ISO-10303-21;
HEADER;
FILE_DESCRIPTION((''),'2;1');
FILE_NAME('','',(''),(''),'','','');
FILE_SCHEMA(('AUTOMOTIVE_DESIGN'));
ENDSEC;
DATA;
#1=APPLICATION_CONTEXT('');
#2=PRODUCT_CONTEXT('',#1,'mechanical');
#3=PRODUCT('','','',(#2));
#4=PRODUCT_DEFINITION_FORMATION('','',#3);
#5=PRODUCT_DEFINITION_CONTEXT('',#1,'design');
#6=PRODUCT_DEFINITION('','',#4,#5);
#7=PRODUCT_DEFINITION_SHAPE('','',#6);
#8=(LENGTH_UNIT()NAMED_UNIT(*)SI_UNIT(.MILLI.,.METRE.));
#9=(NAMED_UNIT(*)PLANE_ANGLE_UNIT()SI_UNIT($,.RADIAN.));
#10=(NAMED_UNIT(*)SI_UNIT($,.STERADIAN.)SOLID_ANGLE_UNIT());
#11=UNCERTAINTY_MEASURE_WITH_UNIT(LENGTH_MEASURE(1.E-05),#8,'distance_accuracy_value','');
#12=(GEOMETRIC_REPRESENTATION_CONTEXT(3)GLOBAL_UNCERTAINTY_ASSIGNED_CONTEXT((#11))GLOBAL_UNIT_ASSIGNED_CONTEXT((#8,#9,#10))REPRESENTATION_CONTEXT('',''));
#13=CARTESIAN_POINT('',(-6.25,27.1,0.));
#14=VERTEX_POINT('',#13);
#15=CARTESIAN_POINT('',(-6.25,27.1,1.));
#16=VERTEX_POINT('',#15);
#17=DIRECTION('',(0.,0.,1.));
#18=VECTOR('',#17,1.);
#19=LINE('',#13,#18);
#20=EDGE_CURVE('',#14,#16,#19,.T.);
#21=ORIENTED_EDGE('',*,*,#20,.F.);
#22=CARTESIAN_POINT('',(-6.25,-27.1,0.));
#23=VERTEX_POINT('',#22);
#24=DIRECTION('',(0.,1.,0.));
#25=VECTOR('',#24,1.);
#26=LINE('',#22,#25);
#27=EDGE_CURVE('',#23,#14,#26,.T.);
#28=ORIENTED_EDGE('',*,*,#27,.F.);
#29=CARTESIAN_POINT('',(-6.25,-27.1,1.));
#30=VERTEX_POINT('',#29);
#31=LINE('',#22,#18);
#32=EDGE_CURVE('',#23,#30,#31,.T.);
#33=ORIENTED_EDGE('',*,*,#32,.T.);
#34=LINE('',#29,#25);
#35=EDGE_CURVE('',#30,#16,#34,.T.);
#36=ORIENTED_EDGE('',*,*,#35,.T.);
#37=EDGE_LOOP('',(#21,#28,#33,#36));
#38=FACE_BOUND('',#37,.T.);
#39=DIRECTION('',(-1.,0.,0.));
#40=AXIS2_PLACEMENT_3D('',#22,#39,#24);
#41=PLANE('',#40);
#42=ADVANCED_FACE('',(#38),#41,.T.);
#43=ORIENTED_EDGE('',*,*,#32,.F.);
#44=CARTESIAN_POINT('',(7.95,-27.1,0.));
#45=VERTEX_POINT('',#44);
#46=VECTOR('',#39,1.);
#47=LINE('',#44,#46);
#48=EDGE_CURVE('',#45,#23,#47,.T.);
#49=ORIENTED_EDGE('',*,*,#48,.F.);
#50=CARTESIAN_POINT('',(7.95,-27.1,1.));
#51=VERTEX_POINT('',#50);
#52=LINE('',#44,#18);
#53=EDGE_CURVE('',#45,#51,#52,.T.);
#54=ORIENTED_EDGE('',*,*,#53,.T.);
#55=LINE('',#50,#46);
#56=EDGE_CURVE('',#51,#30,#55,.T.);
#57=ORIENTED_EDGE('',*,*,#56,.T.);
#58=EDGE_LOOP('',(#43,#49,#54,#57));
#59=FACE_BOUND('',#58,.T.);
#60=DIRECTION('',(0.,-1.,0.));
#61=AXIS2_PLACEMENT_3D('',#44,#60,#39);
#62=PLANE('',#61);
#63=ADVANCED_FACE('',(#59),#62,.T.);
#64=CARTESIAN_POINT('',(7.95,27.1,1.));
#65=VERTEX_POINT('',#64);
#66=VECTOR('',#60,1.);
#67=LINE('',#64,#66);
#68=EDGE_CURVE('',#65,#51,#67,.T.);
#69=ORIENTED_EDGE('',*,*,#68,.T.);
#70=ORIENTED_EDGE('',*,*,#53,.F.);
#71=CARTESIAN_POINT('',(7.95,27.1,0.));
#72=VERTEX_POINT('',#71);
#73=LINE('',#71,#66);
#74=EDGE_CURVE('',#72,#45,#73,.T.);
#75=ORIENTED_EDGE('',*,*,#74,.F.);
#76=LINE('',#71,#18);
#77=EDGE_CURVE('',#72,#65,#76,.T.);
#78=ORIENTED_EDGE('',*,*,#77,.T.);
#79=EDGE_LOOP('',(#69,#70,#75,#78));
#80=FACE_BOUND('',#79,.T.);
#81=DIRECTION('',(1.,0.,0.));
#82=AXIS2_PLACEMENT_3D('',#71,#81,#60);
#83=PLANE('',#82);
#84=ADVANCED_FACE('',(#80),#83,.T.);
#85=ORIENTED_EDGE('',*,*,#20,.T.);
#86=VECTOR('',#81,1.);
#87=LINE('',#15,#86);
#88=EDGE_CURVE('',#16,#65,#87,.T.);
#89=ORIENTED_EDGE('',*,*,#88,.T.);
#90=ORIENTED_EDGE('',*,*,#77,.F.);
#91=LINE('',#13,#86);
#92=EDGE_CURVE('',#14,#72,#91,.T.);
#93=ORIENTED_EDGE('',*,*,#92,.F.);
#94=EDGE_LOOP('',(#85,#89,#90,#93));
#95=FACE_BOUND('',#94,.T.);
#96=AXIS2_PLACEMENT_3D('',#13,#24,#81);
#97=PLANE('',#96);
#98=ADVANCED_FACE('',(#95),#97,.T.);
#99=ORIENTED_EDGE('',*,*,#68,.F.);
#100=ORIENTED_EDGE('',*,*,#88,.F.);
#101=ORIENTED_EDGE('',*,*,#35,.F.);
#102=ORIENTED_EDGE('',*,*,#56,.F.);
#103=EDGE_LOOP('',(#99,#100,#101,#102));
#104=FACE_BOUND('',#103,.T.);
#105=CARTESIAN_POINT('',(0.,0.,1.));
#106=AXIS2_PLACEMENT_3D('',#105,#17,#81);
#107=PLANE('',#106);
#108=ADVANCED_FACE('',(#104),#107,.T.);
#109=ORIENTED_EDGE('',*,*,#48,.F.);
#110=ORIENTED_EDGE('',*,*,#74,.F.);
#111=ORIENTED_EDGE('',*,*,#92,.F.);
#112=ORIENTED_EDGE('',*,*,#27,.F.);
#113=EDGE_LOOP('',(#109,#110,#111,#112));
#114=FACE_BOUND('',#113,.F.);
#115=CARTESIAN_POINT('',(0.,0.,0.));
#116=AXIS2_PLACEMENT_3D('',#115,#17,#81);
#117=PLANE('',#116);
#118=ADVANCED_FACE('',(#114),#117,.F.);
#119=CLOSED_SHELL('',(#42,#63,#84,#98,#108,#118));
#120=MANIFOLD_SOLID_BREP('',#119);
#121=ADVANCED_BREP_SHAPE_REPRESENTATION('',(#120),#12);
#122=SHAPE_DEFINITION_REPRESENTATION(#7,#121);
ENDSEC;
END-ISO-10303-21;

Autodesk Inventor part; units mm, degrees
ref_plane "YZ Plane" through (0, 0, 0) normal (1, 0, 0) x (0, 1, 0)
ref_plane "XZ Plane" through (0, 0, 0) normal (0, 1, 0) x (-1, 0, 0)
ref_plane "XY Plane" through (0, 0, 0) normal (0, 0, 1) x (1, 0, 0)
sketch "DIN41612_32, DIN41612_6" plane through (0, 0, 0) normal (0, 0, 1) x (1, 0, 0)
  line L0 (-6.25, -27.1) -> (-6.25, 27.1)
  line L1 (-6.25, 27.1) -> (7.95, 27.1)
  line L2 (7.95, 27.1) -> (7.95, -27.1)
  line L3 (7.95, -27.1) -> (-6.25, -27.1)
extrude "Extrusion1" add sketch "DIN41612_32, DIN41612_6" along normal blind 1
properties part number "DIN41612"
